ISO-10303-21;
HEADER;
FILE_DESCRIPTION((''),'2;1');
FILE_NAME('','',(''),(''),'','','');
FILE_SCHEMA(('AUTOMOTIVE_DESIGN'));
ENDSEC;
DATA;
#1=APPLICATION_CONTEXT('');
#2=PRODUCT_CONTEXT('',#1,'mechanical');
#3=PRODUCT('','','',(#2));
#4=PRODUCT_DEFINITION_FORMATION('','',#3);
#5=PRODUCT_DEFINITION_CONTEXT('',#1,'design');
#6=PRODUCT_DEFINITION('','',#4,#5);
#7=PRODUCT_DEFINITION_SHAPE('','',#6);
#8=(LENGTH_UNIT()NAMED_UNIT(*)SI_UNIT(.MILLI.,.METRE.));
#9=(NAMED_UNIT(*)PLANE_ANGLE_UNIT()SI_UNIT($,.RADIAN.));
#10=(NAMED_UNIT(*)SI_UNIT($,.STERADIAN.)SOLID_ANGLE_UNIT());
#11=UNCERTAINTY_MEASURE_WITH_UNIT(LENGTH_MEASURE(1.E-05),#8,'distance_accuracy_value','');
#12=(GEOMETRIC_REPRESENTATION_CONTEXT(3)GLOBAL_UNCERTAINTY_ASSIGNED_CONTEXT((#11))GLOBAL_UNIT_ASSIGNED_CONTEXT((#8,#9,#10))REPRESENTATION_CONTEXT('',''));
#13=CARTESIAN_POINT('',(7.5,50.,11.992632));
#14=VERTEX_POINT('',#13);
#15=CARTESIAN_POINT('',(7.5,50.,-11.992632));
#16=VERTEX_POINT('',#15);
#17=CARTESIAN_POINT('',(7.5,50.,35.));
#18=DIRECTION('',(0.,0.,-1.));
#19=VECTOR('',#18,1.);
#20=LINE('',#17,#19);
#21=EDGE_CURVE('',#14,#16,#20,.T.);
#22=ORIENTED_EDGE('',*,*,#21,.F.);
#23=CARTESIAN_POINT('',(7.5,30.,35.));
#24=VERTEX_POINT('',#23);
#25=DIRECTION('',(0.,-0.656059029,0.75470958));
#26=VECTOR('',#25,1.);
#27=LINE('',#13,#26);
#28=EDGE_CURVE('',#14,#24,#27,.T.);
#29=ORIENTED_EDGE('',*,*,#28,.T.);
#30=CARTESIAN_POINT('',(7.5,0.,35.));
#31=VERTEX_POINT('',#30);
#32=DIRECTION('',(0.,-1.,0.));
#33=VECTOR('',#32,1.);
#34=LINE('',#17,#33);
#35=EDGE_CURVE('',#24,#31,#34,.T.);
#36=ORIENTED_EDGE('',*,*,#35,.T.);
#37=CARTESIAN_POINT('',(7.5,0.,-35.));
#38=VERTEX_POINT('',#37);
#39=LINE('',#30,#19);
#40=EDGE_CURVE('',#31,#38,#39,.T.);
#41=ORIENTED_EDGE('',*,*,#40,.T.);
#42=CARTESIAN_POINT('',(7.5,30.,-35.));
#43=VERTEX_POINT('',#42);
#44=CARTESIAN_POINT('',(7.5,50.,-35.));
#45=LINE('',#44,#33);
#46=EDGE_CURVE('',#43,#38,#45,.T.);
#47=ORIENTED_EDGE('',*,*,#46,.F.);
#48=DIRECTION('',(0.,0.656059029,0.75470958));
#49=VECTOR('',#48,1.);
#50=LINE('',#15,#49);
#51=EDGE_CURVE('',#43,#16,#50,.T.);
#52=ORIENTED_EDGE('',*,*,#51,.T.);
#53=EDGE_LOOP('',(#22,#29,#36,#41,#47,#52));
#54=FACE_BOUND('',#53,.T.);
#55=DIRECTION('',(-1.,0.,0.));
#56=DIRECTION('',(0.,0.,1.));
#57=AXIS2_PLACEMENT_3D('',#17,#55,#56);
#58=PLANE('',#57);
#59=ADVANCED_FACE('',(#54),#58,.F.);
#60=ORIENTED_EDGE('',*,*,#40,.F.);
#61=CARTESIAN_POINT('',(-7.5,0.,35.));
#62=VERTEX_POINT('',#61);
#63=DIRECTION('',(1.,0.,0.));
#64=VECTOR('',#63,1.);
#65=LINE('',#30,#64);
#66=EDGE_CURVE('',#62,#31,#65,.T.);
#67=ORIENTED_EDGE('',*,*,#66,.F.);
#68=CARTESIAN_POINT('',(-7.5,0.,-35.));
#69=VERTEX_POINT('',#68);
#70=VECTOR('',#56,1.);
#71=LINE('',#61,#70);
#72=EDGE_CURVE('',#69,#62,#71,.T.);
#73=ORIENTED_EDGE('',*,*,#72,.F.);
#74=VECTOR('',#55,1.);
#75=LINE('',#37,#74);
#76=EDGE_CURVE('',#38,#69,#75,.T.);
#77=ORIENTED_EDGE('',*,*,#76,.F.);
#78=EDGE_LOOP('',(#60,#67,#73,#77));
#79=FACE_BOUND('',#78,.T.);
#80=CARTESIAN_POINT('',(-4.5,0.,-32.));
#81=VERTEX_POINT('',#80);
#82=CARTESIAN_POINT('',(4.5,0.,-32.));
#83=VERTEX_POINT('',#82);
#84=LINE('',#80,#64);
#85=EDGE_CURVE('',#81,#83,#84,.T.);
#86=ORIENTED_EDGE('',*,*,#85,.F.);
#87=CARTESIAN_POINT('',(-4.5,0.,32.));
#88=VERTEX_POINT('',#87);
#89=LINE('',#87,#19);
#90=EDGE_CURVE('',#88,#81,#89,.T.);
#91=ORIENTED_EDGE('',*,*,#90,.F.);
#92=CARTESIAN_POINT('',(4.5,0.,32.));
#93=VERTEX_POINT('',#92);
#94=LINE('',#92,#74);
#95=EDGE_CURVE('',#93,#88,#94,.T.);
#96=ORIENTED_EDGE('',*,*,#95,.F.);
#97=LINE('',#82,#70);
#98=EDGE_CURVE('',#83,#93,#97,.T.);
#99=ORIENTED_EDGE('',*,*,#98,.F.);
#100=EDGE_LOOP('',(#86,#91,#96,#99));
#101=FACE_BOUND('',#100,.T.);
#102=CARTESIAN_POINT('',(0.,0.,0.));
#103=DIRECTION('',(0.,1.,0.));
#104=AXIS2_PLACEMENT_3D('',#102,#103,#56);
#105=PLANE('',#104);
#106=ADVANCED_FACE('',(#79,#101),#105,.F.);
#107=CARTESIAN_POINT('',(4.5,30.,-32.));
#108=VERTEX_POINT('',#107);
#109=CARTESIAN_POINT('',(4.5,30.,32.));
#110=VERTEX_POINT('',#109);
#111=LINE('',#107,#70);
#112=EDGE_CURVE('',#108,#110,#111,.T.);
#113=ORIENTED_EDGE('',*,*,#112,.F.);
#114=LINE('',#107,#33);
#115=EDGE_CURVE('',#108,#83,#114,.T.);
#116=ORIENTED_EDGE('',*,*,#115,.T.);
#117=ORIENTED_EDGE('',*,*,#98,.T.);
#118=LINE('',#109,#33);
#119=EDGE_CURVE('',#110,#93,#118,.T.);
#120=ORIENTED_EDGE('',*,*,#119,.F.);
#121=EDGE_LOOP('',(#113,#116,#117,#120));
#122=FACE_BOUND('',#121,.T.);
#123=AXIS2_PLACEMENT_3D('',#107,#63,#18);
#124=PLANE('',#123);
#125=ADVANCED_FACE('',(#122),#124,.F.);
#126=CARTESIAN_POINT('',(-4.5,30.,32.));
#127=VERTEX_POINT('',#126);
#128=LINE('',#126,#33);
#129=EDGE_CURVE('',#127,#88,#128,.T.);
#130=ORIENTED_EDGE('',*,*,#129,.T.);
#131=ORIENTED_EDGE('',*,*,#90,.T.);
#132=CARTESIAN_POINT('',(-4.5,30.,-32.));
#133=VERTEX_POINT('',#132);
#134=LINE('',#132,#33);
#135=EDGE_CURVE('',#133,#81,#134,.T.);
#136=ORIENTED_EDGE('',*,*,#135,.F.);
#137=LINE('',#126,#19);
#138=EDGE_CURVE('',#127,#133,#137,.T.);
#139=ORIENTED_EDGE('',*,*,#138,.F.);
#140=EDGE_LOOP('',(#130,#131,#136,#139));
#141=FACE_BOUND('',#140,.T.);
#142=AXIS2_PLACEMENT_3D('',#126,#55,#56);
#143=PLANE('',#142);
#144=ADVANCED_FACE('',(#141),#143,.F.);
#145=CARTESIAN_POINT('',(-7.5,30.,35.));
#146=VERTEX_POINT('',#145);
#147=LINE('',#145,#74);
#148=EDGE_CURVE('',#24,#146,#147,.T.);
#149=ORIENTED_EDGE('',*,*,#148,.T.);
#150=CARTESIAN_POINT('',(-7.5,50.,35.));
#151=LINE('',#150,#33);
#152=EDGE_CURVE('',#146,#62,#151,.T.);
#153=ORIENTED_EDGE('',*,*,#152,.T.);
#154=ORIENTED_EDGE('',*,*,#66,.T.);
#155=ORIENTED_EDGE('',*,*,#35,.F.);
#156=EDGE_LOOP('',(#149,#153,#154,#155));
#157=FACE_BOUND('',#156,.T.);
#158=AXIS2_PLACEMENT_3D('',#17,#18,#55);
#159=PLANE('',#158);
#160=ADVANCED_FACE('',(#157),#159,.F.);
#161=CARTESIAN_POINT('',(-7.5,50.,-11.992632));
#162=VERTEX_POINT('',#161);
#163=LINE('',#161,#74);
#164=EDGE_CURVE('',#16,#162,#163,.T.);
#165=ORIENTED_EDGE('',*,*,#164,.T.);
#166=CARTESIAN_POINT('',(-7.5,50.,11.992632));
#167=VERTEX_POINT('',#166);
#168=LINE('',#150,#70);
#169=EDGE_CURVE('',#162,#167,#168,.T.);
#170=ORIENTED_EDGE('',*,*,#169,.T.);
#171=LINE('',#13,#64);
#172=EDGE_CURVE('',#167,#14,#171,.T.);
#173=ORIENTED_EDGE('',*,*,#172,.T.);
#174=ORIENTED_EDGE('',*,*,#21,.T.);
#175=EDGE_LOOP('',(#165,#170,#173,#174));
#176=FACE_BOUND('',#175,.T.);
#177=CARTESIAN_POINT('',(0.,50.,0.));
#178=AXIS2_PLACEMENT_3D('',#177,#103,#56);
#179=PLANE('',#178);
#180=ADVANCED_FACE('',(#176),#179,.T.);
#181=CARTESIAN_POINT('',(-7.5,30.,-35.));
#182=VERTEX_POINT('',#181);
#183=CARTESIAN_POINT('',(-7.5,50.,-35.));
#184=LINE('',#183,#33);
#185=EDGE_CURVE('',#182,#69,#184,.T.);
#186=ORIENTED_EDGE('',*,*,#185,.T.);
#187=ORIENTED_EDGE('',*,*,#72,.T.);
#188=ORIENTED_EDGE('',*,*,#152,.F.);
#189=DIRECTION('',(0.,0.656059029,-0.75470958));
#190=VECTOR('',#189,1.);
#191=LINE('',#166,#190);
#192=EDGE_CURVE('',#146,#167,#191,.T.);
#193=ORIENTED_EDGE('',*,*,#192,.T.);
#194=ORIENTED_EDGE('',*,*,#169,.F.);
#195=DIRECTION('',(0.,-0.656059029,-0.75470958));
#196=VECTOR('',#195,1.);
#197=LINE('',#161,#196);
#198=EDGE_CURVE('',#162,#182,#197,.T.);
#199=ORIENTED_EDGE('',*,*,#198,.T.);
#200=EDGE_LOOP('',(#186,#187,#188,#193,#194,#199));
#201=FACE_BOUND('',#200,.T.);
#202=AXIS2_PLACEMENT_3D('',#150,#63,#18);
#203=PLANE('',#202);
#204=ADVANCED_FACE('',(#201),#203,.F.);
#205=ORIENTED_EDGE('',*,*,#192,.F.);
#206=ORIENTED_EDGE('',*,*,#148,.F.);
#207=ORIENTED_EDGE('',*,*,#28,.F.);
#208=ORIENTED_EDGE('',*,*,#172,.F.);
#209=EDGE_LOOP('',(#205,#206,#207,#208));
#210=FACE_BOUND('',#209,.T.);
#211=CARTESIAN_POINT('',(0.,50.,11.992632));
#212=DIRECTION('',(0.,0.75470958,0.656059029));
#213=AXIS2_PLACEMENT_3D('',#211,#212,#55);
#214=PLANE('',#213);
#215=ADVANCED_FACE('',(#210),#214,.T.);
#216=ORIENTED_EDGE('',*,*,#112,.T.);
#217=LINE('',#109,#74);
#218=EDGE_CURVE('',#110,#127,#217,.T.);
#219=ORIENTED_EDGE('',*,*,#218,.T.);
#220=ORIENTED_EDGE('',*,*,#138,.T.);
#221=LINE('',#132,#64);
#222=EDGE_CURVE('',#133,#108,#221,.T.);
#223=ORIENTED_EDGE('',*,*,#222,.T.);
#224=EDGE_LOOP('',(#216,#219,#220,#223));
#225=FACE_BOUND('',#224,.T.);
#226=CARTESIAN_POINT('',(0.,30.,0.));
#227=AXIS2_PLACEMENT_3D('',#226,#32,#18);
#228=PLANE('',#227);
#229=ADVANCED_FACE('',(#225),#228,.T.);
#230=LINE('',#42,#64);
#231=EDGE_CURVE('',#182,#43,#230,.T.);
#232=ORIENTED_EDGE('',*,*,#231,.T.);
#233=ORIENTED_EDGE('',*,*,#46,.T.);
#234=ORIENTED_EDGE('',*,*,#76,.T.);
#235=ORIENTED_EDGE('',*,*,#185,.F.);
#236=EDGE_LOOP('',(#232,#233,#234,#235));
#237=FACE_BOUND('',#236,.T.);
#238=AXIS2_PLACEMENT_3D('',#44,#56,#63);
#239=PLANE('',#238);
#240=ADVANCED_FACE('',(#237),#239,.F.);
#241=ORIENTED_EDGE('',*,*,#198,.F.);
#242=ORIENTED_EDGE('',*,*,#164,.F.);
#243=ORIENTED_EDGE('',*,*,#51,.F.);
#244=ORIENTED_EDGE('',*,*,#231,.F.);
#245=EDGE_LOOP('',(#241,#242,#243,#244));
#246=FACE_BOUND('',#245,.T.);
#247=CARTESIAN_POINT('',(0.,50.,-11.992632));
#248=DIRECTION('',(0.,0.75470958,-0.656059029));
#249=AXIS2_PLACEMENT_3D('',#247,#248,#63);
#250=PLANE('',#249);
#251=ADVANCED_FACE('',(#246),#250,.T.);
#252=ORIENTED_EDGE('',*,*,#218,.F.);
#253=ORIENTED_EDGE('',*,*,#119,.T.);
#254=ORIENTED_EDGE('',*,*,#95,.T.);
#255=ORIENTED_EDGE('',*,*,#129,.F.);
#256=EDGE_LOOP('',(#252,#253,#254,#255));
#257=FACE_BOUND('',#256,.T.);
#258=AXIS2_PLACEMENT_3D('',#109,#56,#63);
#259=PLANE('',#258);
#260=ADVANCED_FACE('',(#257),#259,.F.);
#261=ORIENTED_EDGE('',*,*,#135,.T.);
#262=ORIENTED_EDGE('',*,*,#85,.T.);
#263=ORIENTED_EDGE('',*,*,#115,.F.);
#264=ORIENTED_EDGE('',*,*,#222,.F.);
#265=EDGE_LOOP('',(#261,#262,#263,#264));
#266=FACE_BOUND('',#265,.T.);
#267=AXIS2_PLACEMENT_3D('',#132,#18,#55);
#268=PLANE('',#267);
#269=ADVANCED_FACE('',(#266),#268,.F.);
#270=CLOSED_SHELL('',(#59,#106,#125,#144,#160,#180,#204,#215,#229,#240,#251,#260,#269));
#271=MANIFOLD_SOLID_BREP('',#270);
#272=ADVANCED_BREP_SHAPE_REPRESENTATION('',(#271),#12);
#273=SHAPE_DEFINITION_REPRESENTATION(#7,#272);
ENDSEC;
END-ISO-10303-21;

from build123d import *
from OCP.BRepFilletAPI import BRepFilletAPI_MakeChamfer

# Parameters (mm, degrees)
ESQUISSE1_W             = 15
ESQUISSE1_H             = 70
BOSS_EXTRU_1_DEPTH      = 50
CHANFREIN1_SIZE         = 20
CHANFREIN1_SIZE2        = 23.007368144
ESQUISSE2_W             = 9
ESQUISSE2_H             = 64
ENL_V_MAT_EXTRU_1_DEPTH = 30


with BuildPart() as part:
    # Esquisse1 → Boss.-Extru.1 (new body)
    with BuildSketch(Plane(origin=(0, 0, 0), x_dir=(1, 0, 0), z_dir=(0, 1, 0))):
        Rectangle(ESQUISSE1_W, ESQUISSE1_H)
    extrude(amount=BOSS_EXTRU_1_DEPTH)

    # Chanfrein1: one chamfer whose edges measure the first distance from different faces: ONE call of the kernel's chamfer builder (chamfer() names one face for all edges)
    chanfrein1_edges_1 = [part.edges().sort_by_distance(p)[0] for p in [
        (0, 50, -35),
    ]]
    chanfrein1_side_1 = [part.faces().sort_by_distance(p)[0] for p in [
        (0, 25, -35),
    ]]
    chanfrein1_edges_2 = [part.edges().sort_by_distance(p)[0] for p in [
        (0, 50, 35),
    ]]
    chanfrein1_side_2 = [part.faces().sort_by_distance(p)[0] for p in [
        (0, 25, 35),
    ]]
    chanfrein1 = BRepFilletAPI_MakeChamfer(part.part.solid().wrapped)
    for e in chanfrein1_edges_1:
        chanfrein1.Add(CHANFREIN1_SIZE, CHANFREIN1_SIZE2, e.wrapped, chanfrein1_side_1[0].wrapped)  # the first distance lies on this face
    for e in chanfrein1_edges_2:
        chanfrein1.Add(CHANFREIN1_SIZE, CHANFREIN1_SIZE2, e.wrapped, chanfrein1_side_2[0].wrapped)  # the first distance lies on this face
    add(Compound.cast(chanfrein1.Shape()), mode=Mode.REPLACE)

    # Esquisse2 → Enlèv. mat.-Extru.1 (cut)
    with BuildSketch(Plane.XZ):
        Rectangle(ESQUISSE2_W, ESQUISSE2_H)
    extrude(amount=-ENL_V_MAT_EXTRU_1_DEPTH, mode=Mode.SUBTRACT)


solid = part.part
